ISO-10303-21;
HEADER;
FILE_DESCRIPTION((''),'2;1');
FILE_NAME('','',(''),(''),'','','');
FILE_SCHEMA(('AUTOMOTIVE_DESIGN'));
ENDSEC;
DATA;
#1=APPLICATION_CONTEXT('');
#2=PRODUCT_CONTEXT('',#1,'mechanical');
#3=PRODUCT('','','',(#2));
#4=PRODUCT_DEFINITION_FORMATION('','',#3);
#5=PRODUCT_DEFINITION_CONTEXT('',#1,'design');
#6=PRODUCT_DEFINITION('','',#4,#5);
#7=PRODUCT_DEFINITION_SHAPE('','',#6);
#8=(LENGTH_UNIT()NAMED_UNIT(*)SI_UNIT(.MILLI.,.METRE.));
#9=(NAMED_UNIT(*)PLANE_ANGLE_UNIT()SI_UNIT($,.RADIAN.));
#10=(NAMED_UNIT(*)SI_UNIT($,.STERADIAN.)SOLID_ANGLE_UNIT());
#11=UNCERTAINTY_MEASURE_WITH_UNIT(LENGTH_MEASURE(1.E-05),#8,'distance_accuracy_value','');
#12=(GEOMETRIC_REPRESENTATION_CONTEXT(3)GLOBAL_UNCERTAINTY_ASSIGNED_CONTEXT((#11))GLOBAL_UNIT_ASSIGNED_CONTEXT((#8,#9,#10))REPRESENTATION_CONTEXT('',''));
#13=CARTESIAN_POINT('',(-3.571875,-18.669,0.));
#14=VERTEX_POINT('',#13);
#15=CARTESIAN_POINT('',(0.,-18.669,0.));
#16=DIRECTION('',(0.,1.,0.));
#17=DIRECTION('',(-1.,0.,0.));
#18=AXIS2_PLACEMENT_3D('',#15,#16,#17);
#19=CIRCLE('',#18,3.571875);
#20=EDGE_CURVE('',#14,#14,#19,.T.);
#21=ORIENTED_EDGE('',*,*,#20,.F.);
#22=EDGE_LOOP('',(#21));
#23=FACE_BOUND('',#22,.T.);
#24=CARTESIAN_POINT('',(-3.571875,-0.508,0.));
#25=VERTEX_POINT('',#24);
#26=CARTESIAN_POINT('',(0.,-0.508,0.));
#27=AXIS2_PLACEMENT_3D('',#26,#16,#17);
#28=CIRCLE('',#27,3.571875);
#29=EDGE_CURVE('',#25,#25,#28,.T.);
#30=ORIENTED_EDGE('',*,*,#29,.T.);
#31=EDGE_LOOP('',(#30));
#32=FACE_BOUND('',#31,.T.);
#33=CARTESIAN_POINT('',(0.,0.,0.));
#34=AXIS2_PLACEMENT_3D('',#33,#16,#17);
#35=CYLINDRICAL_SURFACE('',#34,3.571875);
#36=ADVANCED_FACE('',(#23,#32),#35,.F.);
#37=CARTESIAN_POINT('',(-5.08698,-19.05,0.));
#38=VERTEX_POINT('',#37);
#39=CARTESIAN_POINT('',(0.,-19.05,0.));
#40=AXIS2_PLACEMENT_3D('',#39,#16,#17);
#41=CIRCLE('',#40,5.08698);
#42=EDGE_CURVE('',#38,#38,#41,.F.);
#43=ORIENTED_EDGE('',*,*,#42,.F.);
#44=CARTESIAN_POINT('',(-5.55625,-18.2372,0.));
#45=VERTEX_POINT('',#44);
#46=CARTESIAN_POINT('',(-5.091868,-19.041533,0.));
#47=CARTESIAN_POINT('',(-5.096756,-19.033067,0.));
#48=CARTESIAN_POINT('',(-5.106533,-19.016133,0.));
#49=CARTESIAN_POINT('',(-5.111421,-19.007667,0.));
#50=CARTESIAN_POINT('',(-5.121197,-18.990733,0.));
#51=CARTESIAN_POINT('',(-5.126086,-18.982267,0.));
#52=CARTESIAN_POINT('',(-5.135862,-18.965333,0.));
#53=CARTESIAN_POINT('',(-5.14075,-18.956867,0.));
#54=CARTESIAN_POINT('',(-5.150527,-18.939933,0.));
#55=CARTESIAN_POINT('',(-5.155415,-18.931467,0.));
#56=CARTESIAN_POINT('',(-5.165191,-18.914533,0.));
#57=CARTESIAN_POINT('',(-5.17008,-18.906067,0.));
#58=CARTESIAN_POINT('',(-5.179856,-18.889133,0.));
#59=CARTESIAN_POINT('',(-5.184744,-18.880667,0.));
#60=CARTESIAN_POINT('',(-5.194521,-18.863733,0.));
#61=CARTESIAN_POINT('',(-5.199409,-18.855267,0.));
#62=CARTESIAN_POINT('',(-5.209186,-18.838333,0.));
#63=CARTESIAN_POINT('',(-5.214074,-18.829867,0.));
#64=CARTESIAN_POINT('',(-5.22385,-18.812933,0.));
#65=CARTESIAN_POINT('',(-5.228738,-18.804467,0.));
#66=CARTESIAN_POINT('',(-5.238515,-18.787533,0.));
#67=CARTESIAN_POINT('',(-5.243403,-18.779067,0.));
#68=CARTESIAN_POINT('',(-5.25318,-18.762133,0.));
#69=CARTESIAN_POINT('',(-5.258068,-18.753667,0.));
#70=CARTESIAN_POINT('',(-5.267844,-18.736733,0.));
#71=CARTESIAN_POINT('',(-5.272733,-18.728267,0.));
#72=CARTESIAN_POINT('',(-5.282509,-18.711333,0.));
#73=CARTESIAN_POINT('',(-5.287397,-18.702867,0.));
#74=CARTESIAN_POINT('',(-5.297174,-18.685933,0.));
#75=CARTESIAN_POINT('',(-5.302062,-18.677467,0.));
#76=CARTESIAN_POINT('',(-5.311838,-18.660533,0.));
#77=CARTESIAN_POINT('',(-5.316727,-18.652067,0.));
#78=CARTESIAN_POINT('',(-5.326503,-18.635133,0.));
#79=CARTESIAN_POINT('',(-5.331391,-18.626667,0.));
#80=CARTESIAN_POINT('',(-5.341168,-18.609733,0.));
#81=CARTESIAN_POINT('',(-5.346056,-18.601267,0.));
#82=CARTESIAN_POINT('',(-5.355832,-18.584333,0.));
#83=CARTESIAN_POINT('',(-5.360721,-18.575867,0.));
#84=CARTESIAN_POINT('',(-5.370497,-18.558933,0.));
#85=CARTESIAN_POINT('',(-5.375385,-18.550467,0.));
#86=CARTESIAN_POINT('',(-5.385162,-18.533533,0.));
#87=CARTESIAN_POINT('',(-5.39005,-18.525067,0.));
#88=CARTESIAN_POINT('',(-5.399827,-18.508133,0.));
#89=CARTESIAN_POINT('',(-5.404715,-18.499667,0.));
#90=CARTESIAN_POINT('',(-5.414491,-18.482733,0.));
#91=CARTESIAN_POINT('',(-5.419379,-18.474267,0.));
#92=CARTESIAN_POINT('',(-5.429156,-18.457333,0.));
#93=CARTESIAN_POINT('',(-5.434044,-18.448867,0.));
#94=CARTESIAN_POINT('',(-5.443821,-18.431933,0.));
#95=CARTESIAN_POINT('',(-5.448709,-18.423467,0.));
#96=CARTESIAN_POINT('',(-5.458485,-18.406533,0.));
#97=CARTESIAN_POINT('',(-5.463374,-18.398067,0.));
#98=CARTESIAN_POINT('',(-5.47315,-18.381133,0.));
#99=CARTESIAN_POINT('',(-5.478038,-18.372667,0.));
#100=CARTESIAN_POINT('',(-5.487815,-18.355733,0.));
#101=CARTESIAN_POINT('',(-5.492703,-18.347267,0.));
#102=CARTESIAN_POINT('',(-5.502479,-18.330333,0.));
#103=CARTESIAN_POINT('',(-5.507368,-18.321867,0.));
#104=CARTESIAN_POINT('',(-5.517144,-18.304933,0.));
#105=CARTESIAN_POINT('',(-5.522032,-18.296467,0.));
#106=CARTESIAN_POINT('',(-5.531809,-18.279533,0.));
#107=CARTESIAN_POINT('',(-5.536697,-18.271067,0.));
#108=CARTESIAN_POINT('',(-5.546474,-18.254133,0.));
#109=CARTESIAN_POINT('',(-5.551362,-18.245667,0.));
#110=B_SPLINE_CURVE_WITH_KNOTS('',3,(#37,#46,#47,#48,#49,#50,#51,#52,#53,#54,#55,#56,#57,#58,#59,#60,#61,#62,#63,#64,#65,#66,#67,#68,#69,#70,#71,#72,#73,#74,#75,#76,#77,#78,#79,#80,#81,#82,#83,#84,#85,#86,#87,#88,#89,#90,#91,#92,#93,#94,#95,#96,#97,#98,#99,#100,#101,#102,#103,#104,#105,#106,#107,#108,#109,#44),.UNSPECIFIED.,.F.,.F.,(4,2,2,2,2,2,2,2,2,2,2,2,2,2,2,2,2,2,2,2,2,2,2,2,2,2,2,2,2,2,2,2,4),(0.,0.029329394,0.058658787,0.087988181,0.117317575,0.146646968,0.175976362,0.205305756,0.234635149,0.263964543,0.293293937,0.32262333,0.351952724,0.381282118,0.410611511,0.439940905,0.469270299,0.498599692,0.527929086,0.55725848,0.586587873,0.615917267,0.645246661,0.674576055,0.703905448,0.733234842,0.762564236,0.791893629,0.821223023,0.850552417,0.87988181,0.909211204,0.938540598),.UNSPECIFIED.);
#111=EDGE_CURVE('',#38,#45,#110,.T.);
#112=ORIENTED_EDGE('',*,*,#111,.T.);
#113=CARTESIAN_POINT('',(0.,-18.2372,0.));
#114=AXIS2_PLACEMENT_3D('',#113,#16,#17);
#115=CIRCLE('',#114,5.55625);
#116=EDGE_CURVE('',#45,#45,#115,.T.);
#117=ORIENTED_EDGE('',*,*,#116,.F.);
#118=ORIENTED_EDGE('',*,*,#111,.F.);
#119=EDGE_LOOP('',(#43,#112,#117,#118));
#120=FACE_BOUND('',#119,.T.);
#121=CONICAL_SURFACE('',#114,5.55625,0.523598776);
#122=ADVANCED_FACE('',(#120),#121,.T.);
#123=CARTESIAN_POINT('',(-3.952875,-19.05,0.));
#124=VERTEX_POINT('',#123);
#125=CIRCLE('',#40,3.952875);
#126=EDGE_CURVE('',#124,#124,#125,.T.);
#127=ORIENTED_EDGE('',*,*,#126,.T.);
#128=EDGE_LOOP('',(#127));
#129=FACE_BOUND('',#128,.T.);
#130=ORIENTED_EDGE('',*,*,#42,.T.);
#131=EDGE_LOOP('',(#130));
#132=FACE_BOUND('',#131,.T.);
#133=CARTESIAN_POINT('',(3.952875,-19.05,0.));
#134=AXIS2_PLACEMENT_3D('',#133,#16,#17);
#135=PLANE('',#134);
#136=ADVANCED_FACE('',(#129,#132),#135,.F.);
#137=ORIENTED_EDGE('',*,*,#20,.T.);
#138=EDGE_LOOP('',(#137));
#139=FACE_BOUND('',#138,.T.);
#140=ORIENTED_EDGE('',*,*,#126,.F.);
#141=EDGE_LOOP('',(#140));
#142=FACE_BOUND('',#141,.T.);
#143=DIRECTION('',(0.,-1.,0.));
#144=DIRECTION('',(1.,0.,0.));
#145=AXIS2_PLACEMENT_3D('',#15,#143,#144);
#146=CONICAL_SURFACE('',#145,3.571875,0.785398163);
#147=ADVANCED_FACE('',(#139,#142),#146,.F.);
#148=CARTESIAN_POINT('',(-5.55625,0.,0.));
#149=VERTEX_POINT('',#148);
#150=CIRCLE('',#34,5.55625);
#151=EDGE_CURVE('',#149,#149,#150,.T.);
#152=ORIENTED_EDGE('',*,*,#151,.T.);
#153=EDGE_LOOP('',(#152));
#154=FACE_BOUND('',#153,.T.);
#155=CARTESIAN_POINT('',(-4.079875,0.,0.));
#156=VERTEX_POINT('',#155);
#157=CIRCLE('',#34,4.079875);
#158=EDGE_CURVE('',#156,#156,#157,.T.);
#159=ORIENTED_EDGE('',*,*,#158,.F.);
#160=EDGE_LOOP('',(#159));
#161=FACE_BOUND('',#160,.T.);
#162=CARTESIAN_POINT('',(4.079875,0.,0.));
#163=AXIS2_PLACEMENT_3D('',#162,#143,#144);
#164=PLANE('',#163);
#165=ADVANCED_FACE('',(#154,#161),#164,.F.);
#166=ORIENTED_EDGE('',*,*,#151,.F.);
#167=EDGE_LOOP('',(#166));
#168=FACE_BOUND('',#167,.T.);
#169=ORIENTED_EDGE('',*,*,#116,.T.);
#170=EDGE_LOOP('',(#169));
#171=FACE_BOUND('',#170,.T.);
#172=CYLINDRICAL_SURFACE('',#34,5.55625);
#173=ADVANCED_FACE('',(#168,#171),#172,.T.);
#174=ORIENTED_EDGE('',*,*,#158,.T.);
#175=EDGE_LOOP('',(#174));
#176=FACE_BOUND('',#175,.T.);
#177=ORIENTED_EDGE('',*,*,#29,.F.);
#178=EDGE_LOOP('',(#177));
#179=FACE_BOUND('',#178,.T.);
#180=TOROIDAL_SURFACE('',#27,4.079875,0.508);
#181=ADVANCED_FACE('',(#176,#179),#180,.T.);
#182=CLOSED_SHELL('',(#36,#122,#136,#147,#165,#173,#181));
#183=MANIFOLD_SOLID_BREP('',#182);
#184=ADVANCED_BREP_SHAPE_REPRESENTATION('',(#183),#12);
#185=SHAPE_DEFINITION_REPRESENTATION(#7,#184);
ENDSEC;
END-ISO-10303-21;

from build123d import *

# Parameters (mm, degrees)
CHAMFER1_SIZE  = 0.8128
CHAMFER1_SIZE2 = 0.469270299


with BuildPart() as part:
    # Sketch1 → BODY (revolve)
    with BuildSketch(Plane.XY, mode=Mode.PRIVATE) as body_sk:
        with BuildLine():
            Line((4.079875, 0), (5.55625, 0))
            Line((5.55625, 0), (5.55625, -19.05))
            Line((5.55625, -19.05), (3.952875, -19.05))
            Line((3.952875, -19.05), (3.571875, -18.669))
            Line((3.571875, -18.669), (3.571875, -0.508))
            ThreePointArc((3.571875, -0.508), (3.720664755, -0.148789755), (4.079875, 0))
        make_face()
    revolve(body_sk.sketch.rotate(Axis((0, 0, 0), (0, -1, 0)), 180), axis=Axis((0, 0, 0), (0, -1, 0)))

    # Chamfer1
    chamfer1_edges = [part.edges().sort_by_distance(p)[0] for p in [
        (5.55625, -19.05, 0),
    ]]
    chamfer1_side = [part.faces().sort_by_distance(p)[0] for p in [
        (5.55625, -9.525, 0),
    ]]
    chamfer(chamfer1_edges, length=CHAMFER1_SIZE, length2=CHAMFER1_SIZE2, reference=chamfer1_side[0])


solid = part.part
